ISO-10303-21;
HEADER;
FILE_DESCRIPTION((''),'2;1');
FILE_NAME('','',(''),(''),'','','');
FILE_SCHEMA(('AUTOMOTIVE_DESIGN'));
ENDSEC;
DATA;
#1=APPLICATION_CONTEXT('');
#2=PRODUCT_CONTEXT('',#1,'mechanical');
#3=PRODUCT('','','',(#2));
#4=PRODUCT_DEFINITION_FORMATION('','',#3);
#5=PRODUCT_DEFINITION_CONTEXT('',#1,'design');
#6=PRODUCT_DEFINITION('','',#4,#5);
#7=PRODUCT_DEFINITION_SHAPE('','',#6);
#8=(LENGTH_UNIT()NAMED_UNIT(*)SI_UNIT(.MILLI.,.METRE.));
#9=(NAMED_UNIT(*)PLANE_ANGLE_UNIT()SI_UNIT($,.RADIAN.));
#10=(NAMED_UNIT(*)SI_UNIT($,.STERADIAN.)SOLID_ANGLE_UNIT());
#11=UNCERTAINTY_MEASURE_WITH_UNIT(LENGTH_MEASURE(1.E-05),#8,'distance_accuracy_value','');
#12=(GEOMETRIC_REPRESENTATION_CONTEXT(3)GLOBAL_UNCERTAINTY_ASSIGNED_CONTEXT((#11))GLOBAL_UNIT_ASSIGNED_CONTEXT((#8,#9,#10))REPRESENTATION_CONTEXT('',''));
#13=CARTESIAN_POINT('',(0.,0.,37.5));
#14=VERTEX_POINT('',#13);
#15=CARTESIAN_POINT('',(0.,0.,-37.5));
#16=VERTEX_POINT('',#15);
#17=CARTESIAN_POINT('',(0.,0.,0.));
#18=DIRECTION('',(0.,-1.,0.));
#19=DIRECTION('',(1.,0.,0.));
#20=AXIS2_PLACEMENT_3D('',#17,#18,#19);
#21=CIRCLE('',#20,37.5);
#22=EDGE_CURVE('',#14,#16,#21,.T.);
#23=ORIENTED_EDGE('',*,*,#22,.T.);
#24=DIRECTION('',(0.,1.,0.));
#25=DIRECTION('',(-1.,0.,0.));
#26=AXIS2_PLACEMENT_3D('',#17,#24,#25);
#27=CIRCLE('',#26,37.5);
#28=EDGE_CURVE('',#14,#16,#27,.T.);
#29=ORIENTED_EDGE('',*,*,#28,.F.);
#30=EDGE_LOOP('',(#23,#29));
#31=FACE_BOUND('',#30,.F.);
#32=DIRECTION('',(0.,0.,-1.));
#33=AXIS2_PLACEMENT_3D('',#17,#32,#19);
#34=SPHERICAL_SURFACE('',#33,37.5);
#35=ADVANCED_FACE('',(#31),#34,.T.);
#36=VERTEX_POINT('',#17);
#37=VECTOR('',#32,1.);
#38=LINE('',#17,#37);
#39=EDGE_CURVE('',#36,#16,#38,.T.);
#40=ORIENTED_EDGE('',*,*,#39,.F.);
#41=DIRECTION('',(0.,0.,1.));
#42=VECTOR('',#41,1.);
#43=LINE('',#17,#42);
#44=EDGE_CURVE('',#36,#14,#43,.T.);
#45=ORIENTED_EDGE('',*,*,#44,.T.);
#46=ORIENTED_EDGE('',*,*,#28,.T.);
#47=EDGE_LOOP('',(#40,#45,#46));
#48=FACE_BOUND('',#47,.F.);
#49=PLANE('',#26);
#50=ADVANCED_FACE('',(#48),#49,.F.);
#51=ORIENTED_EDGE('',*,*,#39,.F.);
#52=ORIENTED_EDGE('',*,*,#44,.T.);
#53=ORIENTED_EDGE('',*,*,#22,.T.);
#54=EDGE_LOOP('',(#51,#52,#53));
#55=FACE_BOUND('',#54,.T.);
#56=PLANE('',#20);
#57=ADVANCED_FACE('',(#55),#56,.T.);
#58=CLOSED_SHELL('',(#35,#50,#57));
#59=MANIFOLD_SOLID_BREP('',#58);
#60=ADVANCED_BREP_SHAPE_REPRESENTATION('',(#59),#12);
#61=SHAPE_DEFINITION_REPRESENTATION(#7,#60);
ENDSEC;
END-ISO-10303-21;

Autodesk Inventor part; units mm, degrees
ref_plane "YZ Plane" through (0, 0, 0) normal (1, 0, 0) x (0, 1, 0)
ref_plane "XZ Plane" through (0, 0, 0) normal (0, 1, 0) x (-1, 0, 0)
ref_plane "XY Plane" through (0, 0, 0) normal (0, 0, 1) x (1, 0, 0)
sketch "スケッチ1" plane through (0, 0, 0) normal (0, 1, 0) x (-1, 0, 0)
  circle A0 centre (0, 0) radius 37.5
  line L0 (0, 0) -> (0, -37.5)
  line L1 (0, 0) -> (0, 37.5)
  dimension "d0" = 75
revolve "回転1" add sketch "スケッチ1" angle 180 about axis through (0, 0, 0) along (0, 0, 1) picked at (-2.7815, -24.6866) contours L1 L0 A0
sketch "スケッチ2" plane through (0, 0, 0) normal (0, -1, 0) x (1, 0, 0)
  line L0 (0, 0) -> (0, 37.5)
  circle A0 centre (0, 0) radius 37.5 projected
ref_plane "作業平面1" through (0, 0, 37.5) normal (0, 0, 1) x (1, 0, 0)
sketch "スケッチ3" plane through (0, 0, 37.5) normal (0, 0, 1) x (1, 0, 0)
  line L0 (0, 0) -> (20, 0)
  line L1 (20, 0) -> (20, 3.5)
  line L2 (20, 3.5) -> (0, 3.5)
  line L3 (0, 3.5) -> (0, 0)
  line L4 (0, 0) -> (-20, 0)
  line L5 (-20, 0) -> (-20, 3.5)
  line L6 (-20, 3.5) -> (0, 3.5)
  line L7 (0, 3.5) -> (0, 0)
  dimension "d2" = 20
  dimension "d3" = 3.5
  dimension "d4" = 20
properties part number "nakami"
